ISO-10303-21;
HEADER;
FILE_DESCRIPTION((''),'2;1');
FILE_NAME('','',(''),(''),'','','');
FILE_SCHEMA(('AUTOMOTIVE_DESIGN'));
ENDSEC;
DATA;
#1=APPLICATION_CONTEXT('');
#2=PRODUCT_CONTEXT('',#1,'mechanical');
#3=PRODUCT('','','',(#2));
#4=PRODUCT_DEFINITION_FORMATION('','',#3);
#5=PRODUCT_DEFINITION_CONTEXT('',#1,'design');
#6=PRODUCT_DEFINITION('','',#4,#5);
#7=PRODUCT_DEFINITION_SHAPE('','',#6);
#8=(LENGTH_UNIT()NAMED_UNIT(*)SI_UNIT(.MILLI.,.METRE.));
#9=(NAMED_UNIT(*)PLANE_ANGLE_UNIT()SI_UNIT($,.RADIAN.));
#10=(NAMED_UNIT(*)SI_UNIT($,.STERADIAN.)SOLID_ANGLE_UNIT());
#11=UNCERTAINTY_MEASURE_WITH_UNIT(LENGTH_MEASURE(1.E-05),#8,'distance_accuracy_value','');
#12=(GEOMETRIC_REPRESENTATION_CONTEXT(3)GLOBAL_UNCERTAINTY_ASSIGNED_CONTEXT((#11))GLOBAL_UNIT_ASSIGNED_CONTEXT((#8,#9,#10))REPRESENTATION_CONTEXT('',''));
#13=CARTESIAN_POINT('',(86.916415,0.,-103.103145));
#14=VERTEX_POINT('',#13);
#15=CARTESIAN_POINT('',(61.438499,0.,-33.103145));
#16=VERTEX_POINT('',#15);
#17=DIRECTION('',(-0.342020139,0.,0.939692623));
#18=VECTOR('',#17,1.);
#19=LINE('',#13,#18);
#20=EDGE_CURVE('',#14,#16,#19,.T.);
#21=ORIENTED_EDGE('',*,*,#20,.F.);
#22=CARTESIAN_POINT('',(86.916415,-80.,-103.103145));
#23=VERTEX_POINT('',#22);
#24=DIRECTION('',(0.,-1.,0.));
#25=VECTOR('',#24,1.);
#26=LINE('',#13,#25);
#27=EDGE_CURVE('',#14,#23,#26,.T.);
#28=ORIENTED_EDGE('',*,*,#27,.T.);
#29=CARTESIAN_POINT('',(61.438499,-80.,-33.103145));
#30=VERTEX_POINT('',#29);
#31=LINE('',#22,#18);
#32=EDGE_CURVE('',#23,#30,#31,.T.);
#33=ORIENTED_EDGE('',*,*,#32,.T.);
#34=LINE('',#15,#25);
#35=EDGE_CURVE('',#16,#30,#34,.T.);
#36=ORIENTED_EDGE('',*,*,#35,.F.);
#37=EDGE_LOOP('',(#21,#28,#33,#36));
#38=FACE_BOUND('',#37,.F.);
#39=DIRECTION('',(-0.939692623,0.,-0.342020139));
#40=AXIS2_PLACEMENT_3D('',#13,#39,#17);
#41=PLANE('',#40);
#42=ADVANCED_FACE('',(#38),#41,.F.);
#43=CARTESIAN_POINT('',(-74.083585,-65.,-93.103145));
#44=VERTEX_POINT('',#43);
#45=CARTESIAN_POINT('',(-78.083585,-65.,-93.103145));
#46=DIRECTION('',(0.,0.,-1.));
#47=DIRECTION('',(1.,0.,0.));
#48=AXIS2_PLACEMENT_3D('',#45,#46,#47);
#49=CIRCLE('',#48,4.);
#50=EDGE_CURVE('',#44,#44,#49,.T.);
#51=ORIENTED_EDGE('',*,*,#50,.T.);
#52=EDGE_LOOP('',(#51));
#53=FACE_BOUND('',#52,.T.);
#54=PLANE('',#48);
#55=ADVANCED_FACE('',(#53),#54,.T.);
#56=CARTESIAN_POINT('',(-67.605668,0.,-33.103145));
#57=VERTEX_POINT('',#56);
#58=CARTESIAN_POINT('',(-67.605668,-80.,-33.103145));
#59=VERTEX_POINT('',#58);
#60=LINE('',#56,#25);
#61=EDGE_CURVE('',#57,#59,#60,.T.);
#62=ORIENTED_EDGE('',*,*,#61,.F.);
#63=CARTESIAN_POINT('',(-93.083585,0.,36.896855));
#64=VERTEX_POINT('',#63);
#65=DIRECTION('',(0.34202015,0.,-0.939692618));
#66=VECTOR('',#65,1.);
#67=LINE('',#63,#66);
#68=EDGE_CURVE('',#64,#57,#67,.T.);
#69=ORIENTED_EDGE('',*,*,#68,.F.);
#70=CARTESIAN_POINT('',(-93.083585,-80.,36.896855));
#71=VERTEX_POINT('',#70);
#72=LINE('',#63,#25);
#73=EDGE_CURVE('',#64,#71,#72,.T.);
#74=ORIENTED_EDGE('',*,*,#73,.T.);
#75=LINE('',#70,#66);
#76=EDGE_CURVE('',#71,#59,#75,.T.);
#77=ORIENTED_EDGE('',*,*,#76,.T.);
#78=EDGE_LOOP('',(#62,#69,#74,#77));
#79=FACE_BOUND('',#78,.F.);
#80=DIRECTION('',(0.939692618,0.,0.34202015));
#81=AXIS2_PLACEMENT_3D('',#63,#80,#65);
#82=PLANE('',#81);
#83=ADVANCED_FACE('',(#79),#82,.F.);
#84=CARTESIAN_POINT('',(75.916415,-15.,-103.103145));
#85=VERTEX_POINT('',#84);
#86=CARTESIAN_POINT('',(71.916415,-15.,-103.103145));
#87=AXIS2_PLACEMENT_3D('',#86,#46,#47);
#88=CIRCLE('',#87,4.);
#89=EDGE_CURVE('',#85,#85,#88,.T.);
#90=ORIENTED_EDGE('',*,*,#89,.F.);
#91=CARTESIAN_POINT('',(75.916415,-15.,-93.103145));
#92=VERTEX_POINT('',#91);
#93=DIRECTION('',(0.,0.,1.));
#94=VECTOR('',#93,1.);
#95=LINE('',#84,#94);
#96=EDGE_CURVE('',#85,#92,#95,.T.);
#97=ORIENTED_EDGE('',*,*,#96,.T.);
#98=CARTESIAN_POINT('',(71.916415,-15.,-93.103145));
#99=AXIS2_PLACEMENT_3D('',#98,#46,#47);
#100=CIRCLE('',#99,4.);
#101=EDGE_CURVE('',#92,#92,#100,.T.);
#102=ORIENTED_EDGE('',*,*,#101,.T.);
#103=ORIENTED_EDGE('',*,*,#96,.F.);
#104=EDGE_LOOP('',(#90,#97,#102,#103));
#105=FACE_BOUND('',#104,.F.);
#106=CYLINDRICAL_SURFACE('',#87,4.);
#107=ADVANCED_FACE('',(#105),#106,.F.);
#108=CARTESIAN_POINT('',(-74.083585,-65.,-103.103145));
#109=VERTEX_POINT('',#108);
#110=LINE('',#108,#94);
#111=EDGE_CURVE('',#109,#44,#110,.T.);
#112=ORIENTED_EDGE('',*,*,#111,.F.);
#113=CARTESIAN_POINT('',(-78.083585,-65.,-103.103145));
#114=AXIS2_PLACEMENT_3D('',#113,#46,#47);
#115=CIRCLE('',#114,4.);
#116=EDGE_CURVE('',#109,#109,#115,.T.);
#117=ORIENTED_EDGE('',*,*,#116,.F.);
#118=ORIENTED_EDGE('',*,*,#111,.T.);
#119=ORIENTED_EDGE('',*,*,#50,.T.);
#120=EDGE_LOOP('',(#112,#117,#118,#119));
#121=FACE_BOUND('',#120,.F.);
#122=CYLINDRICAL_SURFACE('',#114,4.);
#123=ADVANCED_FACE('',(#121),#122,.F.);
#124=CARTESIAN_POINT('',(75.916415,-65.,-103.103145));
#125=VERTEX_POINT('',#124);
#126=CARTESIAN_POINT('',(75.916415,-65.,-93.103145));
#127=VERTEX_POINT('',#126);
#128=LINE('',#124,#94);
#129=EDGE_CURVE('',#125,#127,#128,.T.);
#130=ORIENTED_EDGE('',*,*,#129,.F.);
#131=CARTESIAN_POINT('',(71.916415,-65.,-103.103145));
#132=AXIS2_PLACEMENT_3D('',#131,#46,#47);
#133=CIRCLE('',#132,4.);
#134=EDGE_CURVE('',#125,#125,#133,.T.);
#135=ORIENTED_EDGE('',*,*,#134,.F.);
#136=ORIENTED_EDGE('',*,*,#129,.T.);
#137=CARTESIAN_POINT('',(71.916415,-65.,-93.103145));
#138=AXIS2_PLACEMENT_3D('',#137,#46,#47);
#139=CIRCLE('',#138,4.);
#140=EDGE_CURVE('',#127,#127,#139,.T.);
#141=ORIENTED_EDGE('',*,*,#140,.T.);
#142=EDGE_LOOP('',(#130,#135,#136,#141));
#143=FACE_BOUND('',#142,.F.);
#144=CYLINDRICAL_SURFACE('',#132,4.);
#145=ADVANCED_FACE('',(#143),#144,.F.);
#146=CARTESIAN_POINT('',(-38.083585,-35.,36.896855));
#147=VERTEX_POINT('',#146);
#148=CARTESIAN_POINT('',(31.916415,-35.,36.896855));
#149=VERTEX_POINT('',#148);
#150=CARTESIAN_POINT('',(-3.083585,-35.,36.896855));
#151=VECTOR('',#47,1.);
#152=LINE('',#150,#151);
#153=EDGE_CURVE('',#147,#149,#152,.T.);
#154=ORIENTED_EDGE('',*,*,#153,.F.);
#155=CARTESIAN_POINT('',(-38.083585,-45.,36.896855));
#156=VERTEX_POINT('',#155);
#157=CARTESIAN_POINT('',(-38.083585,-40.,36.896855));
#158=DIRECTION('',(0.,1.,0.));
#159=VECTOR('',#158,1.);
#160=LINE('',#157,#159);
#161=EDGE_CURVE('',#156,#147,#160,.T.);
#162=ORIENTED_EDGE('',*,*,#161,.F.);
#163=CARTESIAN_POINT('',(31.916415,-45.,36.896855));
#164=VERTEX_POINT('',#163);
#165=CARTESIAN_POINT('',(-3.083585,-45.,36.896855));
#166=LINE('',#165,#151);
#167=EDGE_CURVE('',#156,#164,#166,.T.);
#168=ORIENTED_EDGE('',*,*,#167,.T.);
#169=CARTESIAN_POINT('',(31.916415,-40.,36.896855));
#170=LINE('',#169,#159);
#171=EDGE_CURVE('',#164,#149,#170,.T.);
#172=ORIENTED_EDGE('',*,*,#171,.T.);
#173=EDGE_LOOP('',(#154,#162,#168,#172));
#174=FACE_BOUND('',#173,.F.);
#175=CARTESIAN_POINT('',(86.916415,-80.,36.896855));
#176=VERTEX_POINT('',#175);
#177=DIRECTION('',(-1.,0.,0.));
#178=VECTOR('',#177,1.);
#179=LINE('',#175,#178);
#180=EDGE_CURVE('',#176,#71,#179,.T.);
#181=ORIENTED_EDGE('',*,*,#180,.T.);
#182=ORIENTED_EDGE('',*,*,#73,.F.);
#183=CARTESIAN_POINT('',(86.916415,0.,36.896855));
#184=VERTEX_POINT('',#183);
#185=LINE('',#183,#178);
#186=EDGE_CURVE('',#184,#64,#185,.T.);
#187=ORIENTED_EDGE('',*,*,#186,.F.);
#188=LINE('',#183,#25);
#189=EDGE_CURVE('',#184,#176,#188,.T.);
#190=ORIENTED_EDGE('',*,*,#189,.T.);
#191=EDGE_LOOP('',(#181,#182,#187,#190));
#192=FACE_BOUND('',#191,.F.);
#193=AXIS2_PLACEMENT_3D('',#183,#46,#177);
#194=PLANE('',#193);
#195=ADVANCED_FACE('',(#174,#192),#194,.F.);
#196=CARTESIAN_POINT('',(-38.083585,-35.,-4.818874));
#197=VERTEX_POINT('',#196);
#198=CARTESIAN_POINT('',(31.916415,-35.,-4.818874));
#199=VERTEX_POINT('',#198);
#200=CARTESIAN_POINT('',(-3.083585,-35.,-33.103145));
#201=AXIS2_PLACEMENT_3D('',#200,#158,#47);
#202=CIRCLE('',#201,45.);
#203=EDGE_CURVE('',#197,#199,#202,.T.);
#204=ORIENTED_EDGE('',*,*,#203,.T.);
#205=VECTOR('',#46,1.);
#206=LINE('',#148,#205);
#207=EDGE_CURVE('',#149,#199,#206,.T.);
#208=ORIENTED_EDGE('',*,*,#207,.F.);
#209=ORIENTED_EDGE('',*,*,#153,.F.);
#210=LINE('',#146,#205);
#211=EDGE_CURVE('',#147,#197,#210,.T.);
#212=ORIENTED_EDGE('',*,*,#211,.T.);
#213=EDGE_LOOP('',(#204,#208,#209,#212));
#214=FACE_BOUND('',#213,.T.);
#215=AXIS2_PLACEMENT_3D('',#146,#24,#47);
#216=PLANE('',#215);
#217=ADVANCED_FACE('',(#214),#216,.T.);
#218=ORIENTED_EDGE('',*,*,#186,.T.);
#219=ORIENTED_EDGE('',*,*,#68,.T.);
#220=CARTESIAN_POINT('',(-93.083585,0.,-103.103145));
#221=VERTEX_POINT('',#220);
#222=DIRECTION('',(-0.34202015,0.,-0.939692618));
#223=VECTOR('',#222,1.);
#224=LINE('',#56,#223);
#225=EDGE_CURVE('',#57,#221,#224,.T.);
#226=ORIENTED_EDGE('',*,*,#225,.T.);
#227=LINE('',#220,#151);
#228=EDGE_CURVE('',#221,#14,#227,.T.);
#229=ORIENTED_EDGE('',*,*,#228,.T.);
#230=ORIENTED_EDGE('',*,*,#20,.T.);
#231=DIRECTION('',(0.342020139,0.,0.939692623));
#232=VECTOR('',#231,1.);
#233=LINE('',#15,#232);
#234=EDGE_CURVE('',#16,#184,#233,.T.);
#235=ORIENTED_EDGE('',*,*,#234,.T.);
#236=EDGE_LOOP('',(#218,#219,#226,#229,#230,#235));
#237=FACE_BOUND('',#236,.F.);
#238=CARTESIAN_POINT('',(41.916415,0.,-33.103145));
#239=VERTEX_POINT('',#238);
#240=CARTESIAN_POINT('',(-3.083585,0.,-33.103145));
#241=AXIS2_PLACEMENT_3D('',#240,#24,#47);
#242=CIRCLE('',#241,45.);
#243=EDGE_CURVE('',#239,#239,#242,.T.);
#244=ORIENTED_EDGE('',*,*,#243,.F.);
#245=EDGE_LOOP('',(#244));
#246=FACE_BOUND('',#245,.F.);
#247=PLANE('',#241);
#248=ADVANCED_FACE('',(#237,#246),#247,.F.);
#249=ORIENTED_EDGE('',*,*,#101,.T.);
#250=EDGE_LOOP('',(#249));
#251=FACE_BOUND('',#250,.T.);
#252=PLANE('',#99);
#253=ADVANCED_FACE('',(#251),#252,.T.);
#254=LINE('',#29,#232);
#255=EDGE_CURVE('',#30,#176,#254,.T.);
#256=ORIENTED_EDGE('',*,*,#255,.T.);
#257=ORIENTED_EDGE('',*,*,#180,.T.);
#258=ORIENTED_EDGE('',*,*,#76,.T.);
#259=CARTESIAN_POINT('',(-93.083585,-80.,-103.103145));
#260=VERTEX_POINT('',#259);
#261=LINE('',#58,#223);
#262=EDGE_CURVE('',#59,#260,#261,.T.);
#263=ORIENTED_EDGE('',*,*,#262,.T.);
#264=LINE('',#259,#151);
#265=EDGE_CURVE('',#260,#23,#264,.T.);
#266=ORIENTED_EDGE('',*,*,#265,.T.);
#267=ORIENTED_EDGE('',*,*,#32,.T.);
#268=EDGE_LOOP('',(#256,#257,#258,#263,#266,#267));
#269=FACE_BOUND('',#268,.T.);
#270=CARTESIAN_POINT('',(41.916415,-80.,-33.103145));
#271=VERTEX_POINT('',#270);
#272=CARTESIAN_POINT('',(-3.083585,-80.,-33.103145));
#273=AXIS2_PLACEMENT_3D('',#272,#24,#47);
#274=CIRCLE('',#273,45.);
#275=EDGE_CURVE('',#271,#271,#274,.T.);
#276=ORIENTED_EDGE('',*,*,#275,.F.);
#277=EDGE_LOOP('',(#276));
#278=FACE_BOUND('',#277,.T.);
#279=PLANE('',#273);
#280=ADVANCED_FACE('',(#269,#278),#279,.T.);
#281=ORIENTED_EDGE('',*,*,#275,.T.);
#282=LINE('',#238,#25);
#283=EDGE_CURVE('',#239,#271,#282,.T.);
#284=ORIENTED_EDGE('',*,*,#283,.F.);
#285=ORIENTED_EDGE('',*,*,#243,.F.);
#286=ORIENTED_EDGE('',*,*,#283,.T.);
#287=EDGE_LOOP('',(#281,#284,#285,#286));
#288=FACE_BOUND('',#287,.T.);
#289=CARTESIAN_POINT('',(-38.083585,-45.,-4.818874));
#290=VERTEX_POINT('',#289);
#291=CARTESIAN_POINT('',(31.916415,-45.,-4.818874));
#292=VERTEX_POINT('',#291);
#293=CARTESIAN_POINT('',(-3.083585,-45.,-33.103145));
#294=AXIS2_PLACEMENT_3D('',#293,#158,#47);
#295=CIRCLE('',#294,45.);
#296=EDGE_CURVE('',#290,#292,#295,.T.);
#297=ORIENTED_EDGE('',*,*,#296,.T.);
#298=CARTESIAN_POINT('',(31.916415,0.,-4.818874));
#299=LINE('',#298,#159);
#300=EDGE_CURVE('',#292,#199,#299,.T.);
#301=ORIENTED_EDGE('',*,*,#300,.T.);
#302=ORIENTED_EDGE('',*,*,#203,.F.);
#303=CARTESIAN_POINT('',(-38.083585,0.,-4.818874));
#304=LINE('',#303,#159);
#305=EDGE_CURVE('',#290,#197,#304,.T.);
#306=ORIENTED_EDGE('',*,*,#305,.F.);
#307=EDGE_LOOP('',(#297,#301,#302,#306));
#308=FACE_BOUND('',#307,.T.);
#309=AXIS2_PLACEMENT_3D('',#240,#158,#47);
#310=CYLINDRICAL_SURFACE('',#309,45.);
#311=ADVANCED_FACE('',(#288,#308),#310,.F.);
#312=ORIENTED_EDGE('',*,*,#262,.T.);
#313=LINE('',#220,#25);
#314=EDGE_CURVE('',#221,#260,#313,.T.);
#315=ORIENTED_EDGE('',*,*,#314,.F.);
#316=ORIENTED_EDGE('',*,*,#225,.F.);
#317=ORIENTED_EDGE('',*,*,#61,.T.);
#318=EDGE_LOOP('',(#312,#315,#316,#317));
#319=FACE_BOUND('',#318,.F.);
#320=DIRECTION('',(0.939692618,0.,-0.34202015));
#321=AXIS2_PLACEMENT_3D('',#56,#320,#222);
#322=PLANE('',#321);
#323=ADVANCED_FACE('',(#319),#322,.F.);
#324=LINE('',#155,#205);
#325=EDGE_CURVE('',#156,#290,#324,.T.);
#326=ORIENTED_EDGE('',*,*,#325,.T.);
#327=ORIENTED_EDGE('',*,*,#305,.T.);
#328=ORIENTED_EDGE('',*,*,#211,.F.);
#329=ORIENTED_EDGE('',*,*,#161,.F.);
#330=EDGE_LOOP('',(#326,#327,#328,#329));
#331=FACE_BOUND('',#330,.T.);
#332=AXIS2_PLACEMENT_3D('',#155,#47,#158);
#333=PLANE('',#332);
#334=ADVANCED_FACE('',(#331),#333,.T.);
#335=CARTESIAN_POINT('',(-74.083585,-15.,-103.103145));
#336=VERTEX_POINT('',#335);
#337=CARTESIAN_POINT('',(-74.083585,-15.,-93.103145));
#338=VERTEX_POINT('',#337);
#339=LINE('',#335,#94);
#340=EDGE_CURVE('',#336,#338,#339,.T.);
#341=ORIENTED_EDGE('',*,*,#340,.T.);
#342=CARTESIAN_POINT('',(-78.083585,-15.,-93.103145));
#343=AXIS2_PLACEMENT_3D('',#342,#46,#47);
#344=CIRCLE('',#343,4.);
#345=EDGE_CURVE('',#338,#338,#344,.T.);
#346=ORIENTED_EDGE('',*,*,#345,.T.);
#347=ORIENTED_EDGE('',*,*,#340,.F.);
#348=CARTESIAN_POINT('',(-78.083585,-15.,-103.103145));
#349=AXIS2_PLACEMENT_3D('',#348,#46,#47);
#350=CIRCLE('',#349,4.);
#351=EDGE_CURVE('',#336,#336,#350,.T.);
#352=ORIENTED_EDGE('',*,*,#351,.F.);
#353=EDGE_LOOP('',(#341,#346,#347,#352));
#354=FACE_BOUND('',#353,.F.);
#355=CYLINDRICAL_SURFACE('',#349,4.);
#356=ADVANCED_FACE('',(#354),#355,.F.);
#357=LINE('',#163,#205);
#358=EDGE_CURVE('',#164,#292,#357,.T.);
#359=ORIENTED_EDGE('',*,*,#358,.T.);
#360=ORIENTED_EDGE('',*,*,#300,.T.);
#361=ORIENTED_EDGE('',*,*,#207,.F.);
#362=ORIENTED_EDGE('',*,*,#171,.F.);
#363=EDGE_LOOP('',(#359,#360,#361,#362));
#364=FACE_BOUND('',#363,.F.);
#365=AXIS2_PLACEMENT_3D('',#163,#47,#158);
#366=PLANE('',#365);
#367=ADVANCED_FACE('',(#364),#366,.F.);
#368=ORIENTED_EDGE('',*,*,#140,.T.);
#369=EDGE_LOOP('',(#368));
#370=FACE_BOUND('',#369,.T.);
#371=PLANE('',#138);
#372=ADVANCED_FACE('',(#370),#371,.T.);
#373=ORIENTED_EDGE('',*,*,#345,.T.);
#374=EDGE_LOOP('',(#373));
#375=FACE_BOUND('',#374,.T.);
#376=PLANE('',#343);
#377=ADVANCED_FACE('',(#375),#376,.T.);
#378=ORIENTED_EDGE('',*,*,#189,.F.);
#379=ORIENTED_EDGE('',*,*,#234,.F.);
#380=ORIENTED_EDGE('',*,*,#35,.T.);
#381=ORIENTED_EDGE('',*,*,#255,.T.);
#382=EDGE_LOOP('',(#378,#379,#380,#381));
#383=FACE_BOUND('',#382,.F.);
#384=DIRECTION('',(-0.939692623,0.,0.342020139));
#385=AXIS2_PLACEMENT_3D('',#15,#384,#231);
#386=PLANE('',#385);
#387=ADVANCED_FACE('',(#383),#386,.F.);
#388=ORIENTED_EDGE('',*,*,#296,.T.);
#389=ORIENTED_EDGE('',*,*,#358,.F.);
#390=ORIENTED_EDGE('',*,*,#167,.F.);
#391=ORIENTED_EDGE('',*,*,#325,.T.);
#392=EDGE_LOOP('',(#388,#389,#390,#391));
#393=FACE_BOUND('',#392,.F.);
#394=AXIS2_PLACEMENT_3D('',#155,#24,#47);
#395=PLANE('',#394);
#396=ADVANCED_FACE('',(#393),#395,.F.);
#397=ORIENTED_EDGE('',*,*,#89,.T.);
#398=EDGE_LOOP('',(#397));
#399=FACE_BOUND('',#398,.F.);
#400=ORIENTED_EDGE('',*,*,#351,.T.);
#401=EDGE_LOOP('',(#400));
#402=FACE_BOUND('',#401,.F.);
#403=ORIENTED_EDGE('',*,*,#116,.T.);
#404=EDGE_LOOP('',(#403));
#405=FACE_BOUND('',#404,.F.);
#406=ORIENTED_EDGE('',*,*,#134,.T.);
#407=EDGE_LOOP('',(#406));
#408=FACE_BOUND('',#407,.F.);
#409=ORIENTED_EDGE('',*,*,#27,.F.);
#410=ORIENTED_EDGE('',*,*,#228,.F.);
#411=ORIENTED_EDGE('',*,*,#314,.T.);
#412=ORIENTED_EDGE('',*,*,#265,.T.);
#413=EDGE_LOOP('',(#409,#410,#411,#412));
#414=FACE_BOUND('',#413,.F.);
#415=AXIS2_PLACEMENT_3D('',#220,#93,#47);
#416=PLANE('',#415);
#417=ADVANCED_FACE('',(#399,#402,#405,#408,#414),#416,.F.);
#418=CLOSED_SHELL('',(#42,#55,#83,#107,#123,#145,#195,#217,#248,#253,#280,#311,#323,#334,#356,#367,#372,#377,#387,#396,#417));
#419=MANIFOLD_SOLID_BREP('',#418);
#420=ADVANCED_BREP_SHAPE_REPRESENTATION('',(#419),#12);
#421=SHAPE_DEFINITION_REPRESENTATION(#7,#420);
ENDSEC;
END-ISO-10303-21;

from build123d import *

# Parameters (mm, degrees)
F0_R     = 45
F1_DEPTH = 80
F2_R     = 4
F3_DEPTH = 10
F4_W     = 70
F4_H     = 10
F5_DEPTH = 53.5


with BuildPart() as f1:
    # F0 (on Front) → F1 (new body)
    with BuildSketch(Plane.XZ):
        Polygon((86.916415, 36.896855), (-93.083585, 36.896855), (-67.605668, -33.103145), (-93.083585, -103.103145), (86.916415, -103.103145), (61.438499, -33.103145), align=None)
        with Locations((-3.083585, -33.103145)):
            Circle(F0_R, mode=Mode.SUBTRACT)
    extrude(amount=F1_DEPTH)

    # F2 (on face) → F3 (cut)
    with BuildSketch(Plane(origin=(0, 0, -103.103145), x_dir=(1, 0, 0), z_dir=(0, 0, -1))):
        with Locations((-78.083585, 65)):
            Circle(F2_R)
        with Locations((-78.083585, 15)):
            Circle(F2_R)
        with Locations((71.916415, 15)):
            Circle(F2_R)
        with Locations((71.916415, 65)):
            Circle(F2_R)
    extrude(amount=-F3_DEPTH, mode=Mode.SUBTRACT)

    # F4 (on face) → F5 (cut)
    with BuildSketch(Plane.XY.offset(36.896855)):
        with Locations((-3.083585, -40)):
            Rectangle(F4_W, F4_H)
    extrude(amount=-F5_DEPTH, mode=Mode.SUBTRACT)


solid = f1.part
